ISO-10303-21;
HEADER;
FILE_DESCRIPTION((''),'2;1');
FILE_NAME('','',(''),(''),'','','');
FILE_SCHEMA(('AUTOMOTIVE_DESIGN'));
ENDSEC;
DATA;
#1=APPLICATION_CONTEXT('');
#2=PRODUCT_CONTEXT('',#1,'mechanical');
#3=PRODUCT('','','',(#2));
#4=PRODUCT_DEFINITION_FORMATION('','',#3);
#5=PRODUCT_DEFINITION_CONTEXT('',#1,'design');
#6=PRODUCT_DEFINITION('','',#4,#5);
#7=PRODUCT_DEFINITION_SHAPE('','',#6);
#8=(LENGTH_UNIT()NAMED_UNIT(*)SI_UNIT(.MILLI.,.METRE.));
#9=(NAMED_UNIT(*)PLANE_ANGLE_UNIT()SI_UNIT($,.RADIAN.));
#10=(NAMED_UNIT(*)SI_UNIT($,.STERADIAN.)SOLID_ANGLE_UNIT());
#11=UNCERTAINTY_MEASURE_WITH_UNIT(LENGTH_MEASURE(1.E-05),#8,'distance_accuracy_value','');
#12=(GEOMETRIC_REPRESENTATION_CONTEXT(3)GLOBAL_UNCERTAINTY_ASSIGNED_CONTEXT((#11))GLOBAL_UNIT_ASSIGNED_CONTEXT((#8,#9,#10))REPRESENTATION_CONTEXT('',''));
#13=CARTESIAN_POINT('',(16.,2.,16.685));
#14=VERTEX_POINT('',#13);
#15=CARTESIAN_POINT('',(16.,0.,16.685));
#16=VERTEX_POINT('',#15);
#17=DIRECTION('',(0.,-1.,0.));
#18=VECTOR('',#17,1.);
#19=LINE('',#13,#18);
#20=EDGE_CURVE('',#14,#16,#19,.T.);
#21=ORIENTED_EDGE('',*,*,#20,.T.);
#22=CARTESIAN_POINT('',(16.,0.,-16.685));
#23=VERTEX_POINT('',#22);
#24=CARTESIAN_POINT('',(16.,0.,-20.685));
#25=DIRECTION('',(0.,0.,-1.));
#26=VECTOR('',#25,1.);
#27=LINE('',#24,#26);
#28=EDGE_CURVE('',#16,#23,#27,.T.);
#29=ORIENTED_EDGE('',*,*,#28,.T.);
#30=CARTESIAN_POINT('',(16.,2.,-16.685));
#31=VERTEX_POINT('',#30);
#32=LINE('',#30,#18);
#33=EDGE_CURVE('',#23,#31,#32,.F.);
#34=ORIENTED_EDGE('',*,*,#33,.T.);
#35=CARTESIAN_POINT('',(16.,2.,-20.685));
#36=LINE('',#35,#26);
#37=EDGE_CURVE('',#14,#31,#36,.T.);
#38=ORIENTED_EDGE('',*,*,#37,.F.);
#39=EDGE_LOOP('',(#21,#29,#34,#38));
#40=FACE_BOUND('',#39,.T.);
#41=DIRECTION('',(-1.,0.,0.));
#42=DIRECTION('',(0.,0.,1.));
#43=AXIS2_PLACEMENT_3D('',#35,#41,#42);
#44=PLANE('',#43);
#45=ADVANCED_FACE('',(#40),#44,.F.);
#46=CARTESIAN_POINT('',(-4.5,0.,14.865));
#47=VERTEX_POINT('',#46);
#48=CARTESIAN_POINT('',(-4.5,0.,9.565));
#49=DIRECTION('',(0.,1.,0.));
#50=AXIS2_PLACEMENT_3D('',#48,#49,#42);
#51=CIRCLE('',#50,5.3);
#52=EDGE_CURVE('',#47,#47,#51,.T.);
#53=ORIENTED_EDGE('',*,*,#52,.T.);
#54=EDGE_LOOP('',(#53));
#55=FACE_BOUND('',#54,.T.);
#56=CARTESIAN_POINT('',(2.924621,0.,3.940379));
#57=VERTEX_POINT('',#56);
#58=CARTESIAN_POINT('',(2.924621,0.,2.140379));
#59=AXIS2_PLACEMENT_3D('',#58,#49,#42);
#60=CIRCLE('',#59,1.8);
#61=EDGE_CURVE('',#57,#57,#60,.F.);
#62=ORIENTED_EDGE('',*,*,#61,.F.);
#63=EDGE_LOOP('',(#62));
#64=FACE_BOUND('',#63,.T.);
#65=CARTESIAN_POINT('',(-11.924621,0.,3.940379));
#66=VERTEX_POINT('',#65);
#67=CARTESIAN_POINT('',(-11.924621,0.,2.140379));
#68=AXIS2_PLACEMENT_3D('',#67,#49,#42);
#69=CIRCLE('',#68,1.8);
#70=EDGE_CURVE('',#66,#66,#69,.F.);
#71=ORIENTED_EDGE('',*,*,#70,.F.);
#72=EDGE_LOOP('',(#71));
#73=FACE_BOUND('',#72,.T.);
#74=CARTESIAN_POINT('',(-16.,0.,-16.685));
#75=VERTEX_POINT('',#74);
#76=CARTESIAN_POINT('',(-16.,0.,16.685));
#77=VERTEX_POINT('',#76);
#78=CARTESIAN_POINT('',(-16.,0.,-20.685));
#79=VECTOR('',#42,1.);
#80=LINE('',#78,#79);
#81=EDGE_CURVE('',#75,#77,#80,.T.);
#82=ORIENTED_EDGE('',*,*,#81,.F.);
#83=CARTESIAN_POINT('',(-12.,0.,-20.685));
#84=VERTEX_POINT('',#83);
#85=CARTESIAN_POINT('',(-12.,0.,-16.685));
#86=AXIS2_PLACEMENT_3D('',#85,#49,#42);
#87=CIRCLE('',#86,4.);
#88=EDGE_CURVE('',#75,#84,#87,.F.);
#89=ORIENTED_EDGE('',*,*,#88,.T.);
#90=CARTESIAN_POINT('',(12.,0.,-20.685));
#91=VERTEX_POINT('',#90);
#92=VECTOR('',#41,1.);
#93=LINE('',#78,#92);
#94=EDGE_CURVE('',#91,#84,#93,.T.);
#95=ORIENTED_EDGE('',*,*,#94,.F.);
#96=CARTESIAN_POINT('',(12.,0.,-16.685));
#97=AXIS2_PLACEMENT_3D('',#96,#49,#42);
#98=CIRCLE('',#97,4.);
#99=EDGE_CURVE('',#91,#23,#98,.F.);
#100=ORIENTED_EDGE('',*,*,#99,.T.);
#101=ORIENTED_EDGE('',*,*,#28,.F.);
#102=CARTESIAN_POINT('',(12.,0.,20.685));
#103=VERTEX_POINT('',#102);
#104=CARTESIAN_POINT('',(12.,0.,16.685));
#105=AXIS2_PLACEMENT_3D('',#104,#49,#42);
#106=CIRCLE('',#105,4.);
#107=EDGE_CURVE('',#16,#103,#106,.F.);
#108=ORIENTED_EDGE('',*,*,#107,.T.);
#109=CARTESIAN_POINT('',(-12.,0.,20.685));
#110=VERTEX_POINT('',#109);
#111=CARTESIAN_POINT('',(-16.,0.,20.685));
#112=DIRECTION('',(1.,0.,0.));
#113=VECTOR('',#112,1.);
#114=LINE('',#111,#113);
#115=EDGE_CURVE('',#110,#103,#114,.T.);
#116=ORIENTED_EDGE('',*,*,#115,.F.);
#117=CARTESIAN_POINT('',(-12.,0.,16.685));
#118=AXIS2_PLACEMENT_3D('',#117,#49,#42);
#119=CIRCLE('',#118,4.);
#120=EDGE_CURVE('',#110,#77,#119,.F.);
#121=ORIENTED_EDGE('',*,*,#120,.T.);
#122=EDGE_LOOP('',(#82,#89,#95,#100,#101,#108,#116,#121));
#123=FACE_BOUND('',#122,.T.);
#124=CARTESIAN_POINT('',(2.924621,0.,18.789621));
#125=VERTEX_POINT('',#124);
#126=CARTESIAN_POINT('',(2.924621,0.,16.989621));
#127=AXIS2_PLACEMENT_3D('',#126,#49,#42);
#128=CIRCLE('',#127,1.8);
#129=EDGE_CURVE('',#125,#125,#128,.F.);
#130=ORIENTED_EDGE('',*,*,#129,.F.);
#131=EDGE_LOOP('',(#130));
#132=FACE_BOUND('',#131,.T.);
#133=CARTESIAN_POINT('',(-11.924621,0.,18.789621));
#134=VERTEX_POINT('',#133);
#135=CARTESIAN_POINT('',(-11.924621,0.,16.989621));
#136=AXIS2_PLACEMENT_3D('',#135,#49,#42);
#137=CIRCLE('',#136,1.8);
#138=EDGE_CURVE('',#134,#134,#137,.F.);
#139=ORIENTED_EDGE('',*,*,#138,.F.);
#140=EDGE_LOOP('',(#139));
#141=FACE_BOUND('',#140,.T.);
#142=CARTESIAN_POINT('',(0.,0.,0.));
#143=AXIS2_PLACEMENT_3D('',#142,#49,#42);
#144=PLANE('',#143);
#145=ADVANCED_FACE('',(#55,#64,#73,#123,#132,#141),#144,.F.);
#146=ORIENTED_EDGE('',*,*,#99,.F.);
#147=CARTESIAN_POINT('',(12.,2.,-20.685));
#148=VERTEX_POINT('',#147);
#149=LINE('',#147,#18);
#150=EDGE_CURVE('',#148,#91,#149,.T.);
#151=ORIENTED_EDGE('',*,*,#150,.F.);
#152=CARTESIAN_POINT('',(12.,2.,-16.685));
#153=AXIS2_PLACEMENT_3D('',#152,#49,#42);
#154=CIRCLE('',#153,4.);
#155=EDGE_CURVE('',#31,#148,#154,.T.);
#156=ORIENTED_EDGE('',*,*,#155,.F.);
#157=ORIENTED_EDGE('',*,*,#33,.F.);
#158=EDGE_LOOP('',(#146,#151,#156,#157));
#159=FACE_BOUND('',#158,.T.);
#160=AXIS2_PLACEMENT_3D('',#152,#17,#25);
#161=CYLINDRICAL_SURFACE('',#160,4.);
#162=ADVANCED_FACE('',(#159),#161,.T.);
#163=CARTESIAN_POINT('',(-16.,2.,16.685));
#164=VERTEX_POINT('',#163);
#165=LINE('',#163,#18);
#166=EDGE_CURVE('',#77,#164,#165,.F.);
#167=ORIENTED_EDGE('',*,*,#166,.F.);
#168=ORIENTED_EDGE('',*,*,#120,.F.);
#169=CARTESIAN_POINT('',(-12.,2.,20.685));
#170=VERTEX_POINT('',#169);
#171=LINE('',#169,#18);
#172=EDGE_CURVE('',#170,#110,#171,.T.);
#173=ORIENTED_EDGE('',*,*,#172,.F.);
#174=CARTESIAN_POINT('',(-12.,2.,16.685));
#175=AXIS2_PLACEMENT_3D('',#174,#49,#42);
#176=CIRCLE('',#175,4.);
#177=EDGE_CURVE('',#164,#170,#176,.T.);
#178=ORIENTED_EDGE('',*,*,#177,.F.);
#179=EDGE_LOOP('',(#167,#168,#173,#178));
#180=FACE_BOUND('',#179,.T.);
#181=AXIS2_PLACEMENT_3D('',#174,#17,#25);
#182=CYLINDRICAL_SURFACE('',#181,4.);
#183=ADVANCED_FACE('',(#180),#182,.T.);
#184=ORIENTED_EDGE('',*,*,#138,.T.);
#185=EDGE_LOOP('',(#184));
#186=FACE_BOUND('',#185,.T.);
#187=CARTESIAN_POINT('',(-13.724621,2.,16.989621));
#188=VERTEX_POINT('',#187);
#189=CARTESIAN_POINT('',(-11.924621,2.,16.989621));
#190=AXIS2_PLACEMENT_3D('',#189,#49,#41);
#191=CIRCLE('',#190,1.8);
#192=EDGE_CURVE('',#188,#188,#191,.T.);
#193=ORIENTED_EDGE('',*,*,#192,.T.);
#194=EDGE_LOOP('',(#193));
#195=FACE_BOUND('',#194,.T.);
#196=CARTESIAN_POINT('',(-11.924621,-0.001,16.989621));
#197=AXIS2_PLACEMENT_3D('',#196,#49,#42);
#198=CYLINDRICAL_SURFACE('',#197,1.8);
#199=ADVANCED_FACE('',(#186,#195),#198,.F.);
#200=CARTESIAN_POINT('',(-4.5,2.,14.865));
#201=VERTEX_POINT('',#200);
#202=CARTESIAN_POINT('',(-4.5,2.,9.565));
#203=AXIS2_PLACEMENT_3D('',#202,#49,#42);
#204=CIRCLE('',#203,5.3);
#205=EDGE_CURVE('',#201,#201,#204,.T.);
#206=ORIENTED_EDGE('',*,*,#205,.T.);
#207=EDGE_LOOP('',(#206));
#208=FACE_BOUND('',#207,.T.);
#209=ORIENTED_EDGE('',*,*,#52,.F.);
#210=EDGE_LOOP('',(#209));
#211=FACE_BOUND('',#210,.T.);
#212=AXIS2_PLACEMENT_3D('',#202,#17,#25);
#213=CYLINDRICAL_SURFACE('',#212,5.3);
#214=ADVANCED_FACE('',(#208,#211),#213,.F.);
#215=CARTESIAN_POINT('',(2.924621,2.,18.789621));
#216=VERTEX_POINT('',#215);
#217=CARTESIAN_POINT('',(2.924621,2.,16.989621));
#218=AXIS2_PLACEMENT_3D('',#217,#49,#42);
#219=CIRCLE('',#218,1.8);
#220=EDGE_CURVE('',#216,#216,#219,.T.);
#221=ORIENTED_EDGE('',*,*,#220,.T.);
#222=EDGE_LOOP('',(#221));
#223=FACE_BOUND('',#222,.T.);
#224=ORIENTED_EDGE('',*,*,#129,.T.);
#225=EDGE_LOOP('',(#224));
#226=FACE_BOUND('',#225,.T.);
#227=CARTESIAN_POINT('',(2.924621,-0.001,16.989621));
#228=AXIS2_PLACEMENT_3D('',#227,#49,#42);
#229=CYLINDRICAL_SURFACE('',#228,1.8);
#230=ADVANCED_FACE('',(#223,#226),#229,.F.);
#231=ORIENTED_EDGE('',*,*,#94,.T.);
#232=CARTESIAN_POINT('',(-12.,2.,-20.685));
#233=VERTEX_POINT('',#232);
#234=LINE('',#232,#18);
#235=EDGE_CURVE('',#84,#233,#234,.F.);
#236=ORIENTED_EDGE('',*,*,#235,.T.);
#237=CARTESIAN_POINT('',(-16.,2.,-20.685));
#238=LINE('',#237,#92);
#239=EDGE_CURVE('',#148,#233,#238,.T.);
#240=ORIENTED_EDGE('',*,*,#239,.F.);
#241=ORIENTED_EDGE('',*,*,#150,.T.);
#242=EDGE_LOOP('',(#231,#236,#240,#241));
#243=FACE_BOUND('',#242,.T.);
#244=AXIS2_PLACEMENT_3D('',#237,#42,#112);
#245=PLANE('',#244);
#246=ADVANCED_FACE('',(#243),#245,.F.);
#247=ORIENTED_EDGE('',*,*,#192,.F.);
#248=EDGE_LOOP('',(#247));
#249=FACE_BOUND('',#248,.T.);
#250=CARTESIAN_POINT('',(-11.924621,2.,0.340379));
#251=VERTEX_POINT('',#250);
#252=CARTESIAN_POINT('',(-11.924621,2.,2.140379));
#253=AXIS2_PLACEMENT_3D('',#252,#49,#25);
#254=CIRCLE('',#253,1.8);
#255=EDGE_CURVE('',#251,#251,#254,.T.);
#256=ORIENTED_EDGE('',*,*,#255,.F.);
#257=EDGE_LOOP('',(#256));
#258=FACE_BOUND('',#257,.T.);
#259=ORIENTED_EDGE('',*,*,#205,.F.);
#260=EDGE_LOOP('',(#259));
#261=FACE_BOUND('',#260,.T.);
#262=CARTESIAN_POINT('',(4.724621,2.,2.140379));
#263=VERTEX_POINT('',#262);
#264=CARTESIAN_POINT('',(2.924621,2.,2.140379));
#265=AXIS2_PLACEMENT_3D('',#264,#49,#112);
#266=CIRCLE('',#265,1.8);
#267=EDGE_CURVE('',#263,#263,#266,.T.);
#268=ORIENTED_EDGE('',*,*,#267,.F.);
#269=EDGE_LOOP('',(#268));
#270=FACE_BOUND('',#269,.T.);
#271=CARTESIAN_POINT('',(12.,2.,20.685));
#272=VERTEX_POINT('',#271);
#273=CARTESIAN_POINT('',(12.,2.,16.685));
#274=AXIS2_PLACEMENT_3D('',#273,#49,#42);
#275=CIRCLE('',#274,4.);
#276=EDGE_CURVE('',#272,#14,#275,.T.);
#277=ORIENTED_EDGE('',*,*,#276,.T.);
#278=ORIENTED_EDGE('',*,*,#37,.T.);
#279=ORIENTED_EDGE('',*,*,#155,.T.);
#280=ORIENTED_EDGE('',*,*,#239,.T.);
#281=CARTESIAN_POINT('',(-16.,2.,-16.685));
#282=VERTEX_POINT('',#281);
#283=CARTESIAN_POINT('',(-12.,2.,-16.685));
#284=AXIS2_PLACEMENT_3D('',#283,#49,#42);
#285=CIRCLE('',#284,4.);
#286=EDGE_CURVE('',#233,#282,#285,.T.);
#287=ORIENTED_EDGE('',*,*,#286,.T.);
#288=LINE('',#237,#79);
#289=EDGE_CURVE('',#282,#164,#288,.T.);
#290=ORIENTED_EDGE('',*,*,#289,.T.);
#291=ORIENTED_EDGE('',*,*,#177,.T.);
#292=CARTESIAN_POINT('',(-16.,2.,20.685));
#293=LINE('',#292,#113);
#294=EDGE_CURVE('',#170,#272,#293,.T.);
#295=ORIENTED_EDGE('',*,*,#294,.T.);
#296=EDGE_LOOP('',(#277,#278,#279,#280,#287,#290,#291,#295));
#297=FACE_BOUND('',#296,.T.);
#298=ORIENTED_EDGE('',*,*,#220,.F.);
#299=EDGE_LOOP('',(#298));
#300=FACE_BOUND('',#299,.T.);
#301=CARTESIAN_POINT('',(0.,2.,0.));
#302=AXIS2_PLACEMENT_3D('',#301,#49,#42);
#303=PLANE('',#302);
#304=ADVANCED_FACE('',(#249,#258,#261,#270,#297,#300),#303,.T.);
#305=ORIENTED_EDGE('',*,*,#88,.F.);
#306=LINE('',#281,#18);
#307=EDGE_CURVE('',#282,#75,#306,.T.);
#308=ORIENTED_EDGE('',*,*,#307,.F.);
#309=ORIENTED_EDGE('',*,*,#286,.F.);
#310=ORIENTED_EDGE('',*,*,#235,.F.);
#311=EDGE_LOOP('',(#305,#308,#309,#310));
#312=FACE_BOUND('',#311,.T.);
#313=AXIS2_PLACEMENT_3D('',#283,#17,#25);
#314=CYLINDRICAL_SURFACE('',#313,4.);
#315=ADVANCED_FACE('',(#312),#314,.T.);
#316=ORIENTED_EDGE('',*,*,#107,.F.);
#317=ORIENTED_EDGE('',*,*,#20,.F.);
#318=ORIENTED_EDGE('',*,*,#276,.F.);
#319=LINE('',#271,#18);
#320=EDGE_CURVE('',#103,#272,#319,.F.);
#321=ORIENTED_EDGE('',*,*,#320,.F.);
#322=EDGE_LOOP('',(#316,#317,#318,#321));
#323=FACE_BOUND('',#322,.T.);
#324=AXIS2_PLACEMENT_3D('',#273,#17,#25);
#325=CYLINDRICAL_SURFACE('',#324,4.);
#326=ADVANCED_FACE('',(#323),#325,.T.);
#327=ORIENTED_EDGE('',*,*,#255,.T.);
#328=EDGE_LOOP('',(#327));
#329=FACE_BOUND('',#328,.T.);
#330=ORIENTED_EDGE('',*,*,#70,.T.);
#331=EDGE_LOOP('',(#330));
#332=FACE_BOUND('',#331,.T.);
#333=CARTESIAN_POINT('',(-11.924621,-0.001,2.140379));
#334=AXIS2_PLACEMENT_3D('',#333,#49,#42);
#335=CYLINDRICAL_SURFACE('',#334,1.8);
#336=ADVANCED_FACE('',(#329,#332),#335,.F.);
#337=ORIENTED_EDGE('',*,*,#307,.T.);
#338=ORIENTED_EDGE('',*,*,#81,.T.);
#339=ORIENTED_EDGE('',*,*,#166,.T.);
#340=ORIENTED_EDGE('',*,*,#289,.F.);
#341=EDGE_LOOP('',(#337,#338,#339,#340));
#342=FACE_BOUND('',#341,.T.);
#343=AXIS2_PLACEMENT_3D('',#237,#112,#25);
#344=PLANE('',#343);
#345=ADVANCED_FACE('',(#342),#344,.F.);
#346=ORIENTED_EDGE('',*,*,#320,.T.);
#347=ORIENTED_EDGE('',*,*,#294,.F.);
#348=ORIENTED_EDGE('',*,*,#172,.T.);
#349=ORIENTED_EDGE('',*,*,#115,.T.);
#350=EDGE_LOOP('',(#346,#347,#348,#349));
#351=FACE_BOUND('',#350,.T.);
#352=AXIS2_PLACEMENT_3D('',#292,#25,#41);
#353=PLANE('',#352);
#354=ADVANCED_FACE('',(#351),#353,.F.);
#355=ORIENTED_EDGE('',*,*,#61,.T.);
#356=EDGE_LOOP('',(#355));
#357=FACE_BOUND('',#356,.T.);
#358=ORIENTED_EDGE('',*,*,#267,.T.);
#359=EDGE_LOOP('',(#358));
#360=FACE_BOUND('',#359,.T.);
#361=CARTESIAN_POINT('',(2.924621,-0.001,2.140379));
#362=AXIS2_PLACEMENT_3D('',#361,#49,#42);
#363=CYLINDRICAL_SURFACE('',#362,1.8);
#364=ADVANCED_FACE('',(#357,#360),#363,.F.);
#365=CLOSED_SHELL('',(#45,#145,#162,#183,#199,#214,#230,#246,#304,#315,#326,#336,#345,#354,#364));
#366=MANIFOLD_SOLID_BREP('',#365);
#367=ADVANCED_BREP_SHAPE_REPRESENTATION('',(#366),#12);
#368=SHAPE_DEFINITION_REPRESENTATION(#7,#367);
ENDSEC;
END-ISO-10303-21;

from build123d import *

# Parameters (mm, degrees)
CROQUIS1_W              = 32
CROQUIS1_H              = 41.37
CROQUIS1_R              = 5.3
SALIENTE_EXTRUIR1_DEPTH = 2
CROQUIS2_R              = 1.8
CORTAR_EXTRUIR1_DEPTH   = 2
MATRIZC1_COUNT          = 4
REDONDEO1_R             = 4


with BuildPart() as part:
    # Croquis1 → Saliente-Extruir1 (new body)
    with BuildSketch(Plane(origin=(0, 0, 0), x_dir=(1, 0, 0), z_dir=(0, 1, 0))):
        Rectangle(CROQUIS1_W, CROQUIS1_H)
        with Locations((-4.5, -9.565)):
            Circle(CROQUIS1_R, mode=Mode.SUBTRACT)
    extrude(amount=SALIENTE_EXTRUIR1_DEPTH)

    # Croquis2 → Cortar-Extruir1 (cut)
    with BuildSketch(Plane(origin=(0, 2, 0), x_dir=(1, 0, 0), z_dir=(0, 1, 0))):
        with Locations((2.924621202, -16.989621202)):
            Circle(CROQUIS2_R)
    cortar_extruir1 = extrude(amount=-CORTAR_EXTRUIR1_DEPTH, mode=Mode.SUBTRACT)

    # MatrizC1: Cortar-Extruir1 ×4 about axis
    matrizc1_axis = Axis((-4.5, 0, 9.565), (0, 1, 0))
    for i in range(1, MATRIZC1_COUNT):
        add(cortar_extruir1.rotate(matrizc1_axis, i * 360 / MATRIZC1_COUNT), mode=Mode.SUBTRACT)

    # Redondeo1
    redondeo1_edges = [part.edges().sort_by_distance(p)[0] for p in [
        (16, 1, 20.685),
        (-16, 1, 20.685),
        (-16, 1, -20.685),
        (16, 1, -20.685),
    ]]
    fillet(redondeo1_edges, radius=REDONDEO1_R)


solid = part.part
